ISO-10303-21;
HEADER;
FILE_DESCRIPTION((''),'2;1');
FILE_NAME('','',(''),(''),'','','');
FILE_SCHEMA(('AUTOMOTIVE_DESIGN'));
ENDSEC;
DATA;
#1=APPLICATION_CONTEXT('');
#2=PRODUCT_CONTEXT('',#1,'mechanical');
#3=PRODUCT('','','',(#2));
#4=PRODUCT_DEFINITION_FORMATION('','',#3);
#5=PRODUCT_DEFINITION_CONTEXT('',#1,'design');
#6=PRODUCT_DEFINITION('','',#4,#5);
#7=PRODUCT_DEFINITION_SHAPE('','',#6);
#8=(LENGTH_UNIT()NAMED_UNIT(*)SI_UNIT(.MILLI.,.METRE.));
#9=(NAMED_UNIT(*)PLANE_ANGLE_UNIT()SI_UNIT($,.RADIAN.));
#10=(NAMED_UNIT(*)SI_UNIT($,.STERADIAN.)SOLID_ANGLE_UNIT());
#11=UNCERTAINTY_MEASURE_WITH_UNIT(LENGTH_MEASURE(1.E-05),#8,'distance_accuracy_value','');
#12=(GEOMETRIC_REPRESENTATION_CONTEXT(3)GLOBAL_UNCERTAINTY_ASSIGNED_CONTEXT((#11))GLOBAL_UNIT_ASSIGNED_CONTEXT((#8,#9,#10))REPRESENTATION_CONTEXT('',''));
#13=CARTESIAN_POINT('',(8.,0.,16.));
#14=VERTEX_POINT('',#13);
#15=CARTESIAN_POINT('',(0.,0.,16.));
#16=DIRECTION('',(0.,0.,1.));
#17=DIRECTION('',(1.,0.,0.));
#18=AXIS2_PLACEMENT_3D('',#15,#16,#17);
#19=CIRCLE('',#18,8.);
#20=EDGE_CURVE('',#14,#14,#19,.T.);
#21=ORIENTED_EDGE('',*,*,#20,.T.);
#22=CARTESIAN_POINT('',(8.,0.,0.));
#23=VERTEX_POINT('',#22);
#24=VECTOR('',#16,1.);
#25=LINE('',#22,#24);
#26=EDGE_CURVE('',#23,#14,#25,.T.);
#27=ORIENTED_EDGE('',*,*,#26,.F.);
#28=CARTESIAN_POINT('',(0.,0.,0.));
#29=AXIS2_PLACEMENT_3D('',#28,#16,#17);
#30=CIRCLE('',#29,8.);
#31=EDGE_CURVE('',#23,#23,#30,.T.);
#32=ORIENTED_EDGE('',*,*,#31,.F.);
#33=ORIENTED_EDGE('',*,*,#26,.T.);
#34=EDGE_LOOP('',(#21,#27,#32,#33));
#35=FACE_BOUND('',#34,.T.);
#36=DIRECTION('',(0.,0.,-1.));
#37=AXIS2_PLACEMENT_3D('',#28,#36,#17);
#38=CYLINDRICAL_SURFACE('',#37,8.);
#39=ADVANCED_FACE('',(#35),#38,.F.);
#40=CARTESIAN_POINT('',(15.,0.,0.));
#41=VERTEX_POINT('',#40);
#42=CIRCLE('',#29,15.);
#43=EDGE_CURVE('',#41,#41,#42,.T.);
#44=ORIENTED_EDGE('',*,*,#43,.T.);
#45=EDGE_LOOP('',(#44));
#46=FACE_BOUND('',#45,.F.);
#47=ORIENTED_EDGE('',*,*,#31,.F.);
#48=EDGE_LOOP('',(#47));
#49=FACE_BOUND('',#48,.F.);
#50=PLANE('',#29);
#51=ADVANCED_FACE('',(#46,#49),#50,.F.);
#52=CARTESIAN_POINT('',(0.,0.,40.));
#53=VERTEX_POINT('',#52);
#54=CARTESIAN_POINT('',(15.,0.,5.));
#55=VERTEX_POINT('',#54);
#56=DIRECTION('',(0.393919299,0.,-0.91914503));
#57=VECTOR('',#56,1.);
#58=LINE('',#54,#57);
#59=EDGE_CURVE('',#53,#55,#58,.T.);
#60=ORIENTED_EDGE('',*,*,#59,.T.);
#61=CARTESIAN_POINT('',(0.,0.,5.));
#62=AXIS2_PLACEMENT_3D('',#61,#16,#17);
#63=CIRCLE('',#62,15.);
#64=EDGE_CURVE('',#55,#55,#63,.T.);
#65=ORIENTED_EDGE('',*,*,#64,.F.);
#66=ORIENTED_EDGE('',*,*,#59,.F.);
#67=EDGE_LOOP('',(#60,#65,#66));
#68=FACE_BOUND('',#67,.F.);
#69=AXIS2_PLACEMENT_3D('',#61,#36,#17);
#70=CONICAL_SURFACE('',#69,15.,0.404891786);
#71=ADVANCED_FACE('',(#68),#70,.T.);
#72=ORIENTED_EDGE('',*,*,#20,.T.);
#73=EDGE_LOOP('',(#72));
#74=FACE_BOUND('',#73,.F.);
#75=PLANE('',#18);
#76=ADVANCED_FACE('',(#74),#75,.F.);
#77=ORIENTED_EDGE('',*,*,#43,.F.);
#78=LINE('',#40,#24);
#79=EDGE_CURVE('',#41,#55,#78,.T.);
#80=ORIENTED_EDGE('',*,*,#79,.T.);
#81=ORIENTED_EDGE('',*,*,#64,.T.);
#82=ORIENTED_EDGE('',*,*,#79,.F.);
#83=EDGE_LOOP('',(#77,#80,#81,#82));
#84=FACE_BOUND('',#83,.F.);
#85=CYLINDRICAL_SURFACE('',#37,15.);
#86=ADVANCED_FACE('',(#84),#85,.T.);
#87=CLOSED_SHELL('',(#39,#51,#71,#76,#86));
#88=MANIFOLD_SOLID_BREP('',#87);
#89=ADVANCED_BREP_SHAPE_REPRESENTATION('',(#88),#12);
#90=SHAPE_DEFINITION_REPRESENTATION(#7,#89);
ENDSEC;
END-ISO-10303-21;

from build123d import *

# Parameters (mm, degrees)
F0_R     = 15
F0_R_2   = 8
F0_R_3   = 1.5
F1_DEPTH = 40
F2_DEPTH = 16
F3_SIZE2 = 35
F3_SIZE  = 15


with BuildPart() as f1:
    # F0 (on Top) → F1 (new body)
    with BuildSketch(Plane.XY):
        Circle(F0_R)
        Circle(F0_R_2, mode=Mode.SUBTRACT)
        Circle(F0_R_2)
        Circle(F0_R_3, mode=Mode.SUBTRACT)
        Circle(F0_R_3)
    extrude(amount=F1_DEPTH)

    # F0 (on Top) → F2 (cut)
    with BuildSketch(Plane.XY):
        Circle(F0_R_2)
        Circle(F0_R_3, mode=Mode.SUBTRACT)
        Circle(F0_R_3)
    extrude(amount=F2_DEPTH, mode=Mode.SUBTRACT)

    # F3
    f3_edges = [f1.edges().sort_by_distance(p)[0] for p in [
        (-15, 0, 40),
    ]]
    f3_side = f1.faces().sort_by_distance((0, 0, 40))[0]
    chamfer(f3_edges, length=F3_SIZE, length2=F3_SIZE2, reference=f3_side)


solid = f1.part
